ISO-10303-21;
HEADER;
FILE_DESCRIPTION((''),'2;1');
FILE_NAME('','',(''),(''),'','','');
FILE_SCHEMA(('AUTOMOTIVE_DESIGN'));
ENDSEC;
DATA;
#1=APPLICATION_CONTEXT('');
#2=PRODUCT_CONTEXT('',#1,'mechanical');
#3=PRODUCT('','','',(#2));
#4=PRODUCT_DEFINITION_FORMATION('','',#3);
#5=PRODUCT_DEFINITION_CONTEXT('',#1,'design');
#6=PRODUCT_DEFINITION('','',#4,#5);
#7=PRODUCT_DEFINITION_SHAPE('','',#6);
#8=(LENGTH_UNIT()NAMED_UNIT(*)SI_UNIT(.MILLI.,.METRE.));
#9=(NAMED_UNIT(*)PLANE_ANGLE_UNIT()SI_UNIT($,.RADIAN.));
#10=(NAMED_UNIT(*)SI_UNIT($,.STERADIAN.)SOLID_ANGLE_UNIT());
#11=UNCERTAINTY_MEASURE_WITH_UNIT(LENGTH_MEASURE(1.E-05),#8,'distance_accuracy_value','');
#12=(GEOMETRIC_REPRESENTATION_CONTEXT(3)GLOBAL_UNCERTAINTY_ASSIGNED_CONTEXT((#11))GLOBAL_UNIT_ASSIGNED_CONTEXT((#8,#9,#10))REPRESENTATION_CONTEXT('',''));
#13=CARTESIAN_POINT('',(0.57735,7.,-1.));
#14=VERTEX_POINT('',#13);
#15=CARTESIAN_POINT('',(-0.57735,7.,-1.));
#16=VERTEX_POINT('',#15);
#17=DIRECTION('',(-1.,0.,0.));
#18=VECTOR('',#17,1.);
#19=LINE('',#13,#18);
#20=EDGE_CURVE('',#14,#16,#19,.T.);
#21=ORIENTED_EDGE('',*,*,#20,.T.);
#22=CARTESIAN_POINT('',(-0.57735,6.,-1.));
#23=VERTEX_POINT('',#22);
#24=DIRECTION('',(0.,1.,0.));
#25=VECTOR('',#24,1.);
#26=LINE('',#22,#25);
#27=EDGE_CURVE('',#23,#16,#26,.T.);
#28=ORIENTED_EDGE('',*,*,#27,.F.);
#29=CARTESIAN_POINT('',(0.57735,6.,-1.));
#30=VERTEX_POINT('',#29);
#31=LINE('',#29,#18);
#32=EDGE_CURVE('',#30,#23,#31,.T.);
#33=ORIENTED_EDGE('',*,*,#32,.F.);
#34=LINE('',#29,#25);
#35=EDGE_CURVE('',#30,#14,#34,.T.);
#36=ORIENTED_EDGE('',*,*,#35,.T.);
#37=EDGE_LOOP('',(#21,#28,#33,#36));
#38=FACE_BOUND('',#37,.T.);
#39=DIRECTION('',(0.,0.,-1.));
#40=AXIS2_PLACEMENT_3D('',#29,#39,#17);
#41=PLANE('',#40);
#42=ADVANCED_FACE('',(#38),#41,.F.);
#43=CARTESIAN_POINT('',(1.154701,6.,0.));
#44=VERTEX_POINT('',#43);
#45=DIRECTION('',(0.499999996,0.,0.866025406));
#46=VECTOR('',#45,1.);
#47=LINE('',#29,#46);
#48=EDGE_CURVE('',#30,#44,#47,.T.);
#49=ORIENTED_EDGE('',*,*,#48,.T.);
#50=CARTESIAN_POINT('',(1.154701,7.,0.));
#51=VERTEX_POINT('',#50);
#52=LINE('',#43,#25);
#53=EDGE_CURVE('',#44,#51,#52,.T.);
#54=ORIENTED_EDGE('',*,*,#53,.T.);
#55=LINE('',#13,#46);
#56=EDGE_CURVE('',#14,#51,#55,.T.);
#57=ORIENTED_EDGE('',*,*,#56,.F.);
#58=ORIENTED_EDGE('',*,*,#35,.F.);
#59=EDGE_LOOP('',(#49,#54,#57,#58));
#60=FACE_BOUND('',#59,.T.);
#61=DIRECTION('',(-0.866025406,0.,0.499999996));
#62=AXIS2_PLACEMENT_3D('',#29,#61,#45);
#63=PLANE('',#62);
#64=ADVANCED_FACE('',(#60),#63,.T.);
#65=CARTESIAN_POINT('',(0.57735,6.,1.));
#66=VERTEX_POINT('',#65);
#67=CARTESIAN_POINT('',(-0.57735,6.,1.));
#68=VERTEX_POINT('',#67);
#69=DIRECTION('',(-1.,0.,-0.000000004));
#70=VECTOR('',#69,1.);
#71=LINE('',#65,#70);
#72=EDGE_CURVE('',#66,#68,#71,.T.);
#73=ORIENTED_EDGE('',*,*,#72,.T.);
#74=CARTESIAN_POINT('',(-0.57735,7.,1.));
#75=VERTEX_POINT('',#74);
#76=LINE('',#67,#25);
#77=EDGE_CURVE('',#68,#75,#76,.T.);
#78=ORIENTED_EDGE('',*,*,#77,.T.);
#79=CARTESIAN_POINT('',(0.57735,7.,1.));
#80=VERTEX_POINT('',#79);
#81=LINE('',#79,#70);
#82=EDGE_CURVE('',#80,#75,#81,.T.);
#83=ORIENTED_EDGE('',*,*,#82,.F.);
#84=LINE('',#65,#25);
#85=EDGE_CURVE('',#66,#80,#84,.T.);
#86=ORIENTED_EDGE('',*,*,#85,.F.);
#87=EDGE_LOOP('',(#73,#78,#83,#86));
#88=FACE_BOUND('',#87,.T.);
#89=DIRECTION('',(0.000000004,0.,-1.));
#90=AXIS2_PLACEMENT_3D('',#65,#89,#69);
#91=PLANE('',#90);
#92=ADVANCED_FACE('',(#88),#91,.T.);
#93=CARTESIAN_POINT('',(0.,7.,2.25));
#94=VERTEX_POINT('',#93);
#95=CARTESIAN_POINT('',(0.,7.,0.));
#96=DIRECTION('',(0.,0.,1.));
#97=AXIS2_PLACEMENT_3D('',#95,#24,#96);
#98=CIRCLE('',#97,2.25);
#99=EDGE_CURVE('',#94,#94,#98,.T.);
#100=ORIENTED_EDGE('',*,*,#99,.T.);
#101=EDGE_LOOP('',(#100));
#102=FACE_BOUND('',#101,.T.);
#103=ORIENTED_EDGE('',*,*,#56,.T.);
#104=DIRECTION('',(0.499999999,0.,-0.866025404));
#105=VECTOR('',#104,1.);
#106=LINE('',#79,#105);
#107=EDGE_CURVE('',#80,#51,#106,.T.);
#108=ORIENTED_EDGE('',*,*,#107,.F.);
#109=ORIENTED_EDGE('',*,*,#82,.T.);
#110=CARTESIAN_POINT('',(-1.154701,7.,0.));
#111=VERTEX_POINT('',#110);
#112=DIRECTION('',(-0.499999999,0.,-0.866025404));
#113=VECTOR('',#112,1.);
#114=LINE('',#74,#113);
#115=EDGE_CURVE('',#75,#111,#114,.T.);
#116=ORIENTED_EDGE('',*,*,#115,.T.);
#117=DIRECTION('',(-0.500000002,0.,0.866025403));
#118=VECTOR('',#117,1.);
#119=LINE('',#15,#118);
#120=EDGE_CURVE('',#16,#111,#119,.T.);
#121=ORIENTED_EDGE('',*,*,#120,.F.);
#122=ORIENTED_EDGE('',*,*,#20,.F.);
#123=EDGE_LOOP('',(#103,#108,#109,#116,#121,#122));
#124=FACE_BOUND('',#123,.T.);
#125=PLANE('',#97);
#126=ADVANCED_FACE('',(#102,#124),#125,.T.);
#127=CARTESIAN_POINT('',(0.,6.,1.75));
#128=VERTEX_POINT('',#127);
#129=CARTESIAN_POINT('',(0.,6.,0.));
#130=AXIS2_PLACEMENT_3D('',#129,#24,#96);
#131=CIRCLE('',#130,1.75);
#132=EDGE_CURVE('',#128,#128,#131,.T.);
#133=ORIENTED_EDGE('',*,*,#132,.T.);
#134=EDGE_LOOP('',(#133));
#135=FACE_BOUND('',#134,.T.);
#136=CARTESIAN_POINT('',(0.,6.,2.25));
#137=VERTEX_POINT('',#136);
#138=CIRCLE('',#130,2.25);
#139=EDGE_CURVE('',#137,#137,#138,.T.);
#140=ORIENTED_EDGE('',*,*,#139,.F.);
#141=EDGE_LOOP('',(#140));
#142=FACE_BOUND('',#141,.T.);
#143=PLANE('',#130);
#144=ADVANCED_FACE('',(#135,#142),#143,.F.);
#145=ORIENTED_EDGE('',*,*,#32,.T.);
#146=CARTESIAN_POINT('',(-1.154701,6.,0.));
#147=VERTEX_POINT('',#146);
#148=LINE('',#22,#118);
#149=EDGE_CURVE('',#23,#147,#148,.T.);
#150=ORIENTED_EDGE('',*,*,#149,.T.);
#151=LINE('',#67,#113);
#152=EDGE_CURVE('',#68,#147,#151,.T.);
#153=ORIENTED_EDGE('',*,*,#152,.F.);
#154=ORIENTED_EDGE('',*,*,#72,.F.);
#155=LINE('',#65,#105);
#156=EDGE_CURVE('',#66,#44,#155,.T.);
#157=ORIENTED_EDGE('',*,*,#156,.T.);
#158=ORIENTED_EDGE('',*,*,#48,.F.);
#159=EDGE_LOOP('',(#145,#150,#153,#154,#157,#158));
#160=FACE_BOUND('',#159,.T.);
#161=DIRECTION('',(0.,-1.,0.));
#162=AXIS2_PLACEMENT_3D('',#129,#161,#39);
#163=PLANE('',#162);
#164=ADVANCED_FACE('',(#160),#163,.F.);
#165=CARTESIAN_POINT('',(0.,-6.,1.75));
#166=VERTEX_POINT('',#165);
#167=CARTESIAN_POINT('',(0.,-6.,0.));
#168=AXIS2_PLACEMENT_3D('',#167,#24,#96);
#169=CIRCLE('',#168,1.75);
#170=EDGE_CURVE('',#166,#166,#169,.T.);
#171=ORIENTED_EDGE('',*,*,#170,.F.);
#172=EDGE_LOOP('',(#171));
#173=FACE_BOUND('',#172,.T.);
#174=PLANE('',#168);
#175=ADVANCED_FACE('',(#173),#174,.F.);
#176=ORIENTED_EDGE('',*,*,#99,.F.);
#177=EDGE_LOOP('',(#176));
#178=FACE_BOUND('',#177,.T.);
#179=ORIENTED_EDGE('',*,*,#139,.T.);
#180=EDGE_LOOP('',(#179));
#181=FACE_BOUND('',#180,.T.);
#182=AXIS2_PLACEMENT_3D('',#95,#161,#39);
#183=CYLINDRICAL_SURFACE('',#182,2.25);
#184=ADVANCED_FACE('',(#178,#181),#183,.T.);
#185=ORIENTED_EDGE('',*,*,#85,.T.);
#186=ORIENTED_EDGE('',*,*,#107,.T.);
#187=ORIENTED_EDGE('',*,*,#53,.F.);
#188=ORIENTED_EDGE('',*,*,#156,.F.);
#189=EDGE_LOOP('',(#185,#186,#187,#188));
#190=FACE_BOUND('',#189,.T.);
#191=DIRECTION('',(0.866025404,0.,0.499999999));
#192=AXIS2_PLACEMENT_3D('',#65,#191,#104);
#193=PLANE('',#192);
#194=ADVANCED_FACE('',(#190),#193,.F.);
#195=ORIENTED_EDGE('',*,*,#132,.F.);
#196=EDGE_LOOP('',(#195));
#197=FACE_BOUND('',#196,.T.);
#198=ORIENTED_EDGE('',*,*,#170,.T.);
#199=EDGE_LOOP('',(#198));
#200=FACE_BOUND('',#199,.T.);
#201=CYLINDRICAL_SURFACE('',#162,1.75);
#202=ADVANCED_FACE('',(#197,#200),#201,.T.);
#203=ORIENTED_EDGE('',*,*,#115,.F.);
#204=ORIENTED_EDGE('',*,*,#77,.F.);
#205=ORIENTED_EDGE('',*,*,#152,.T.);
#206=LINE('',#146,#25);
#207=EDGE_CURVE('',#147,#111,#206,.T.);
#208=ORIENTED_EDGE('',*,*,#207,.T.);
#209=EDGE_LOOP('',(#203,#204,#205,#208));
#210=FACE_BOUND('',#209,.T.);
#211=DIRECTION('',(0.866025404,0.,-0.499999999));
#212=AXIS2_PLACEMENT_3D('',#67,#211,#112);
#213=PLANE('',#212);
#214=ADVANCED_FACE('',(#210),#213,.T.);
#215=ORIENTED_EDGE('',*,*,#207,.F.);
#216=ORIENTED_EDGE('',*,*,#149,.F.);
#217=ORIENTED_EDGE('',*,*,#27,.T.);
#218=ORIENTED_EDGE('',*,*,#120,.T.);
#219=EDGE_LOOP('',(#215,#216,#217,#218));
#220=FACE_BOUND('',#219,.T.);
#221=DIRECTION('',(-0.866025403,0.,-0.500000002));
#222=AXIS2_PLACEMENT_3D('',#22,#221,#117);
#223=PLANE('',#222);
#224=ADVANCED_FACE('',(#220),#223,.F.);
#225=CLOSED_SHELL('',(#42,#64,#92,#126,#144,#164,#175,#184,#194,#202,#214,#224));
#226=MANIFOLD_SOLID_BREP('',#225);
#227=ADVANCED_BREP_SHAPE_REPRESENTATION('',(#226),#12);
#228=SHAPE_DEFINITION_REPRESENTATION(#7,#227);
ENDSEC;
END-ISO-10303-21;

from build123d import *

# Parameters (mm, degrees)
SKETCH1_R           = 1.75
BOSS_EXTRUDE1_DEPTH = 6
SKETCH2_R           = 2.25
BOSS_EXTRUDE2_DEPTH = 1
CUT_EXTRUDE1_DEPTH  = 1


with BuildPart() as part:
    # Sketch1 → Boss-Extrude1 (new, symmetric)
    with BuildSketch(Plane(origin=(0, 0, 0), x_dir=(1, 0, 0), z_dir=(0, 1, 0))):
        with Locations(Location((0, 0, 0), (0, 0, 270))):
            Circle(SKETCH1_R)
    extrude(amount=BOSS_EXTRUDE1_DEPTH, both=True)

    # Sketch2 → Boss-Extrude2 (add)
    with BuildSketch(Plane(origin=(0, 6, 0), x_dir=(1, 0, 0), z_dir=(0, 1, 0))):
        with Locations(Location((0, 0, 0), (0, 0, 270))):
            Circle(SKETCH2_R)
    extrude(amount=BOSS_EXTRUDE2_DEPTH)

    # Sketch3 → Cut-Extrude1 (cut)
    with BuildSketch(Plane(origin=(0, 7, 0), x_dir=(1, 0, 0), z_dir=(0, 1, 0))):
        Polygon((0.577350272, 1), (1.154700538, -4e-09), (0.577350269, -1.000000006), (-0.577350271, -1.000000002), (-1.15470054, 0), (-0.577350268, 1), align=None)
    extrude(amount=-CUT_EXTRUDE1_DEPTH, mode=Mode.SUBTRACT)


solid = part.part
